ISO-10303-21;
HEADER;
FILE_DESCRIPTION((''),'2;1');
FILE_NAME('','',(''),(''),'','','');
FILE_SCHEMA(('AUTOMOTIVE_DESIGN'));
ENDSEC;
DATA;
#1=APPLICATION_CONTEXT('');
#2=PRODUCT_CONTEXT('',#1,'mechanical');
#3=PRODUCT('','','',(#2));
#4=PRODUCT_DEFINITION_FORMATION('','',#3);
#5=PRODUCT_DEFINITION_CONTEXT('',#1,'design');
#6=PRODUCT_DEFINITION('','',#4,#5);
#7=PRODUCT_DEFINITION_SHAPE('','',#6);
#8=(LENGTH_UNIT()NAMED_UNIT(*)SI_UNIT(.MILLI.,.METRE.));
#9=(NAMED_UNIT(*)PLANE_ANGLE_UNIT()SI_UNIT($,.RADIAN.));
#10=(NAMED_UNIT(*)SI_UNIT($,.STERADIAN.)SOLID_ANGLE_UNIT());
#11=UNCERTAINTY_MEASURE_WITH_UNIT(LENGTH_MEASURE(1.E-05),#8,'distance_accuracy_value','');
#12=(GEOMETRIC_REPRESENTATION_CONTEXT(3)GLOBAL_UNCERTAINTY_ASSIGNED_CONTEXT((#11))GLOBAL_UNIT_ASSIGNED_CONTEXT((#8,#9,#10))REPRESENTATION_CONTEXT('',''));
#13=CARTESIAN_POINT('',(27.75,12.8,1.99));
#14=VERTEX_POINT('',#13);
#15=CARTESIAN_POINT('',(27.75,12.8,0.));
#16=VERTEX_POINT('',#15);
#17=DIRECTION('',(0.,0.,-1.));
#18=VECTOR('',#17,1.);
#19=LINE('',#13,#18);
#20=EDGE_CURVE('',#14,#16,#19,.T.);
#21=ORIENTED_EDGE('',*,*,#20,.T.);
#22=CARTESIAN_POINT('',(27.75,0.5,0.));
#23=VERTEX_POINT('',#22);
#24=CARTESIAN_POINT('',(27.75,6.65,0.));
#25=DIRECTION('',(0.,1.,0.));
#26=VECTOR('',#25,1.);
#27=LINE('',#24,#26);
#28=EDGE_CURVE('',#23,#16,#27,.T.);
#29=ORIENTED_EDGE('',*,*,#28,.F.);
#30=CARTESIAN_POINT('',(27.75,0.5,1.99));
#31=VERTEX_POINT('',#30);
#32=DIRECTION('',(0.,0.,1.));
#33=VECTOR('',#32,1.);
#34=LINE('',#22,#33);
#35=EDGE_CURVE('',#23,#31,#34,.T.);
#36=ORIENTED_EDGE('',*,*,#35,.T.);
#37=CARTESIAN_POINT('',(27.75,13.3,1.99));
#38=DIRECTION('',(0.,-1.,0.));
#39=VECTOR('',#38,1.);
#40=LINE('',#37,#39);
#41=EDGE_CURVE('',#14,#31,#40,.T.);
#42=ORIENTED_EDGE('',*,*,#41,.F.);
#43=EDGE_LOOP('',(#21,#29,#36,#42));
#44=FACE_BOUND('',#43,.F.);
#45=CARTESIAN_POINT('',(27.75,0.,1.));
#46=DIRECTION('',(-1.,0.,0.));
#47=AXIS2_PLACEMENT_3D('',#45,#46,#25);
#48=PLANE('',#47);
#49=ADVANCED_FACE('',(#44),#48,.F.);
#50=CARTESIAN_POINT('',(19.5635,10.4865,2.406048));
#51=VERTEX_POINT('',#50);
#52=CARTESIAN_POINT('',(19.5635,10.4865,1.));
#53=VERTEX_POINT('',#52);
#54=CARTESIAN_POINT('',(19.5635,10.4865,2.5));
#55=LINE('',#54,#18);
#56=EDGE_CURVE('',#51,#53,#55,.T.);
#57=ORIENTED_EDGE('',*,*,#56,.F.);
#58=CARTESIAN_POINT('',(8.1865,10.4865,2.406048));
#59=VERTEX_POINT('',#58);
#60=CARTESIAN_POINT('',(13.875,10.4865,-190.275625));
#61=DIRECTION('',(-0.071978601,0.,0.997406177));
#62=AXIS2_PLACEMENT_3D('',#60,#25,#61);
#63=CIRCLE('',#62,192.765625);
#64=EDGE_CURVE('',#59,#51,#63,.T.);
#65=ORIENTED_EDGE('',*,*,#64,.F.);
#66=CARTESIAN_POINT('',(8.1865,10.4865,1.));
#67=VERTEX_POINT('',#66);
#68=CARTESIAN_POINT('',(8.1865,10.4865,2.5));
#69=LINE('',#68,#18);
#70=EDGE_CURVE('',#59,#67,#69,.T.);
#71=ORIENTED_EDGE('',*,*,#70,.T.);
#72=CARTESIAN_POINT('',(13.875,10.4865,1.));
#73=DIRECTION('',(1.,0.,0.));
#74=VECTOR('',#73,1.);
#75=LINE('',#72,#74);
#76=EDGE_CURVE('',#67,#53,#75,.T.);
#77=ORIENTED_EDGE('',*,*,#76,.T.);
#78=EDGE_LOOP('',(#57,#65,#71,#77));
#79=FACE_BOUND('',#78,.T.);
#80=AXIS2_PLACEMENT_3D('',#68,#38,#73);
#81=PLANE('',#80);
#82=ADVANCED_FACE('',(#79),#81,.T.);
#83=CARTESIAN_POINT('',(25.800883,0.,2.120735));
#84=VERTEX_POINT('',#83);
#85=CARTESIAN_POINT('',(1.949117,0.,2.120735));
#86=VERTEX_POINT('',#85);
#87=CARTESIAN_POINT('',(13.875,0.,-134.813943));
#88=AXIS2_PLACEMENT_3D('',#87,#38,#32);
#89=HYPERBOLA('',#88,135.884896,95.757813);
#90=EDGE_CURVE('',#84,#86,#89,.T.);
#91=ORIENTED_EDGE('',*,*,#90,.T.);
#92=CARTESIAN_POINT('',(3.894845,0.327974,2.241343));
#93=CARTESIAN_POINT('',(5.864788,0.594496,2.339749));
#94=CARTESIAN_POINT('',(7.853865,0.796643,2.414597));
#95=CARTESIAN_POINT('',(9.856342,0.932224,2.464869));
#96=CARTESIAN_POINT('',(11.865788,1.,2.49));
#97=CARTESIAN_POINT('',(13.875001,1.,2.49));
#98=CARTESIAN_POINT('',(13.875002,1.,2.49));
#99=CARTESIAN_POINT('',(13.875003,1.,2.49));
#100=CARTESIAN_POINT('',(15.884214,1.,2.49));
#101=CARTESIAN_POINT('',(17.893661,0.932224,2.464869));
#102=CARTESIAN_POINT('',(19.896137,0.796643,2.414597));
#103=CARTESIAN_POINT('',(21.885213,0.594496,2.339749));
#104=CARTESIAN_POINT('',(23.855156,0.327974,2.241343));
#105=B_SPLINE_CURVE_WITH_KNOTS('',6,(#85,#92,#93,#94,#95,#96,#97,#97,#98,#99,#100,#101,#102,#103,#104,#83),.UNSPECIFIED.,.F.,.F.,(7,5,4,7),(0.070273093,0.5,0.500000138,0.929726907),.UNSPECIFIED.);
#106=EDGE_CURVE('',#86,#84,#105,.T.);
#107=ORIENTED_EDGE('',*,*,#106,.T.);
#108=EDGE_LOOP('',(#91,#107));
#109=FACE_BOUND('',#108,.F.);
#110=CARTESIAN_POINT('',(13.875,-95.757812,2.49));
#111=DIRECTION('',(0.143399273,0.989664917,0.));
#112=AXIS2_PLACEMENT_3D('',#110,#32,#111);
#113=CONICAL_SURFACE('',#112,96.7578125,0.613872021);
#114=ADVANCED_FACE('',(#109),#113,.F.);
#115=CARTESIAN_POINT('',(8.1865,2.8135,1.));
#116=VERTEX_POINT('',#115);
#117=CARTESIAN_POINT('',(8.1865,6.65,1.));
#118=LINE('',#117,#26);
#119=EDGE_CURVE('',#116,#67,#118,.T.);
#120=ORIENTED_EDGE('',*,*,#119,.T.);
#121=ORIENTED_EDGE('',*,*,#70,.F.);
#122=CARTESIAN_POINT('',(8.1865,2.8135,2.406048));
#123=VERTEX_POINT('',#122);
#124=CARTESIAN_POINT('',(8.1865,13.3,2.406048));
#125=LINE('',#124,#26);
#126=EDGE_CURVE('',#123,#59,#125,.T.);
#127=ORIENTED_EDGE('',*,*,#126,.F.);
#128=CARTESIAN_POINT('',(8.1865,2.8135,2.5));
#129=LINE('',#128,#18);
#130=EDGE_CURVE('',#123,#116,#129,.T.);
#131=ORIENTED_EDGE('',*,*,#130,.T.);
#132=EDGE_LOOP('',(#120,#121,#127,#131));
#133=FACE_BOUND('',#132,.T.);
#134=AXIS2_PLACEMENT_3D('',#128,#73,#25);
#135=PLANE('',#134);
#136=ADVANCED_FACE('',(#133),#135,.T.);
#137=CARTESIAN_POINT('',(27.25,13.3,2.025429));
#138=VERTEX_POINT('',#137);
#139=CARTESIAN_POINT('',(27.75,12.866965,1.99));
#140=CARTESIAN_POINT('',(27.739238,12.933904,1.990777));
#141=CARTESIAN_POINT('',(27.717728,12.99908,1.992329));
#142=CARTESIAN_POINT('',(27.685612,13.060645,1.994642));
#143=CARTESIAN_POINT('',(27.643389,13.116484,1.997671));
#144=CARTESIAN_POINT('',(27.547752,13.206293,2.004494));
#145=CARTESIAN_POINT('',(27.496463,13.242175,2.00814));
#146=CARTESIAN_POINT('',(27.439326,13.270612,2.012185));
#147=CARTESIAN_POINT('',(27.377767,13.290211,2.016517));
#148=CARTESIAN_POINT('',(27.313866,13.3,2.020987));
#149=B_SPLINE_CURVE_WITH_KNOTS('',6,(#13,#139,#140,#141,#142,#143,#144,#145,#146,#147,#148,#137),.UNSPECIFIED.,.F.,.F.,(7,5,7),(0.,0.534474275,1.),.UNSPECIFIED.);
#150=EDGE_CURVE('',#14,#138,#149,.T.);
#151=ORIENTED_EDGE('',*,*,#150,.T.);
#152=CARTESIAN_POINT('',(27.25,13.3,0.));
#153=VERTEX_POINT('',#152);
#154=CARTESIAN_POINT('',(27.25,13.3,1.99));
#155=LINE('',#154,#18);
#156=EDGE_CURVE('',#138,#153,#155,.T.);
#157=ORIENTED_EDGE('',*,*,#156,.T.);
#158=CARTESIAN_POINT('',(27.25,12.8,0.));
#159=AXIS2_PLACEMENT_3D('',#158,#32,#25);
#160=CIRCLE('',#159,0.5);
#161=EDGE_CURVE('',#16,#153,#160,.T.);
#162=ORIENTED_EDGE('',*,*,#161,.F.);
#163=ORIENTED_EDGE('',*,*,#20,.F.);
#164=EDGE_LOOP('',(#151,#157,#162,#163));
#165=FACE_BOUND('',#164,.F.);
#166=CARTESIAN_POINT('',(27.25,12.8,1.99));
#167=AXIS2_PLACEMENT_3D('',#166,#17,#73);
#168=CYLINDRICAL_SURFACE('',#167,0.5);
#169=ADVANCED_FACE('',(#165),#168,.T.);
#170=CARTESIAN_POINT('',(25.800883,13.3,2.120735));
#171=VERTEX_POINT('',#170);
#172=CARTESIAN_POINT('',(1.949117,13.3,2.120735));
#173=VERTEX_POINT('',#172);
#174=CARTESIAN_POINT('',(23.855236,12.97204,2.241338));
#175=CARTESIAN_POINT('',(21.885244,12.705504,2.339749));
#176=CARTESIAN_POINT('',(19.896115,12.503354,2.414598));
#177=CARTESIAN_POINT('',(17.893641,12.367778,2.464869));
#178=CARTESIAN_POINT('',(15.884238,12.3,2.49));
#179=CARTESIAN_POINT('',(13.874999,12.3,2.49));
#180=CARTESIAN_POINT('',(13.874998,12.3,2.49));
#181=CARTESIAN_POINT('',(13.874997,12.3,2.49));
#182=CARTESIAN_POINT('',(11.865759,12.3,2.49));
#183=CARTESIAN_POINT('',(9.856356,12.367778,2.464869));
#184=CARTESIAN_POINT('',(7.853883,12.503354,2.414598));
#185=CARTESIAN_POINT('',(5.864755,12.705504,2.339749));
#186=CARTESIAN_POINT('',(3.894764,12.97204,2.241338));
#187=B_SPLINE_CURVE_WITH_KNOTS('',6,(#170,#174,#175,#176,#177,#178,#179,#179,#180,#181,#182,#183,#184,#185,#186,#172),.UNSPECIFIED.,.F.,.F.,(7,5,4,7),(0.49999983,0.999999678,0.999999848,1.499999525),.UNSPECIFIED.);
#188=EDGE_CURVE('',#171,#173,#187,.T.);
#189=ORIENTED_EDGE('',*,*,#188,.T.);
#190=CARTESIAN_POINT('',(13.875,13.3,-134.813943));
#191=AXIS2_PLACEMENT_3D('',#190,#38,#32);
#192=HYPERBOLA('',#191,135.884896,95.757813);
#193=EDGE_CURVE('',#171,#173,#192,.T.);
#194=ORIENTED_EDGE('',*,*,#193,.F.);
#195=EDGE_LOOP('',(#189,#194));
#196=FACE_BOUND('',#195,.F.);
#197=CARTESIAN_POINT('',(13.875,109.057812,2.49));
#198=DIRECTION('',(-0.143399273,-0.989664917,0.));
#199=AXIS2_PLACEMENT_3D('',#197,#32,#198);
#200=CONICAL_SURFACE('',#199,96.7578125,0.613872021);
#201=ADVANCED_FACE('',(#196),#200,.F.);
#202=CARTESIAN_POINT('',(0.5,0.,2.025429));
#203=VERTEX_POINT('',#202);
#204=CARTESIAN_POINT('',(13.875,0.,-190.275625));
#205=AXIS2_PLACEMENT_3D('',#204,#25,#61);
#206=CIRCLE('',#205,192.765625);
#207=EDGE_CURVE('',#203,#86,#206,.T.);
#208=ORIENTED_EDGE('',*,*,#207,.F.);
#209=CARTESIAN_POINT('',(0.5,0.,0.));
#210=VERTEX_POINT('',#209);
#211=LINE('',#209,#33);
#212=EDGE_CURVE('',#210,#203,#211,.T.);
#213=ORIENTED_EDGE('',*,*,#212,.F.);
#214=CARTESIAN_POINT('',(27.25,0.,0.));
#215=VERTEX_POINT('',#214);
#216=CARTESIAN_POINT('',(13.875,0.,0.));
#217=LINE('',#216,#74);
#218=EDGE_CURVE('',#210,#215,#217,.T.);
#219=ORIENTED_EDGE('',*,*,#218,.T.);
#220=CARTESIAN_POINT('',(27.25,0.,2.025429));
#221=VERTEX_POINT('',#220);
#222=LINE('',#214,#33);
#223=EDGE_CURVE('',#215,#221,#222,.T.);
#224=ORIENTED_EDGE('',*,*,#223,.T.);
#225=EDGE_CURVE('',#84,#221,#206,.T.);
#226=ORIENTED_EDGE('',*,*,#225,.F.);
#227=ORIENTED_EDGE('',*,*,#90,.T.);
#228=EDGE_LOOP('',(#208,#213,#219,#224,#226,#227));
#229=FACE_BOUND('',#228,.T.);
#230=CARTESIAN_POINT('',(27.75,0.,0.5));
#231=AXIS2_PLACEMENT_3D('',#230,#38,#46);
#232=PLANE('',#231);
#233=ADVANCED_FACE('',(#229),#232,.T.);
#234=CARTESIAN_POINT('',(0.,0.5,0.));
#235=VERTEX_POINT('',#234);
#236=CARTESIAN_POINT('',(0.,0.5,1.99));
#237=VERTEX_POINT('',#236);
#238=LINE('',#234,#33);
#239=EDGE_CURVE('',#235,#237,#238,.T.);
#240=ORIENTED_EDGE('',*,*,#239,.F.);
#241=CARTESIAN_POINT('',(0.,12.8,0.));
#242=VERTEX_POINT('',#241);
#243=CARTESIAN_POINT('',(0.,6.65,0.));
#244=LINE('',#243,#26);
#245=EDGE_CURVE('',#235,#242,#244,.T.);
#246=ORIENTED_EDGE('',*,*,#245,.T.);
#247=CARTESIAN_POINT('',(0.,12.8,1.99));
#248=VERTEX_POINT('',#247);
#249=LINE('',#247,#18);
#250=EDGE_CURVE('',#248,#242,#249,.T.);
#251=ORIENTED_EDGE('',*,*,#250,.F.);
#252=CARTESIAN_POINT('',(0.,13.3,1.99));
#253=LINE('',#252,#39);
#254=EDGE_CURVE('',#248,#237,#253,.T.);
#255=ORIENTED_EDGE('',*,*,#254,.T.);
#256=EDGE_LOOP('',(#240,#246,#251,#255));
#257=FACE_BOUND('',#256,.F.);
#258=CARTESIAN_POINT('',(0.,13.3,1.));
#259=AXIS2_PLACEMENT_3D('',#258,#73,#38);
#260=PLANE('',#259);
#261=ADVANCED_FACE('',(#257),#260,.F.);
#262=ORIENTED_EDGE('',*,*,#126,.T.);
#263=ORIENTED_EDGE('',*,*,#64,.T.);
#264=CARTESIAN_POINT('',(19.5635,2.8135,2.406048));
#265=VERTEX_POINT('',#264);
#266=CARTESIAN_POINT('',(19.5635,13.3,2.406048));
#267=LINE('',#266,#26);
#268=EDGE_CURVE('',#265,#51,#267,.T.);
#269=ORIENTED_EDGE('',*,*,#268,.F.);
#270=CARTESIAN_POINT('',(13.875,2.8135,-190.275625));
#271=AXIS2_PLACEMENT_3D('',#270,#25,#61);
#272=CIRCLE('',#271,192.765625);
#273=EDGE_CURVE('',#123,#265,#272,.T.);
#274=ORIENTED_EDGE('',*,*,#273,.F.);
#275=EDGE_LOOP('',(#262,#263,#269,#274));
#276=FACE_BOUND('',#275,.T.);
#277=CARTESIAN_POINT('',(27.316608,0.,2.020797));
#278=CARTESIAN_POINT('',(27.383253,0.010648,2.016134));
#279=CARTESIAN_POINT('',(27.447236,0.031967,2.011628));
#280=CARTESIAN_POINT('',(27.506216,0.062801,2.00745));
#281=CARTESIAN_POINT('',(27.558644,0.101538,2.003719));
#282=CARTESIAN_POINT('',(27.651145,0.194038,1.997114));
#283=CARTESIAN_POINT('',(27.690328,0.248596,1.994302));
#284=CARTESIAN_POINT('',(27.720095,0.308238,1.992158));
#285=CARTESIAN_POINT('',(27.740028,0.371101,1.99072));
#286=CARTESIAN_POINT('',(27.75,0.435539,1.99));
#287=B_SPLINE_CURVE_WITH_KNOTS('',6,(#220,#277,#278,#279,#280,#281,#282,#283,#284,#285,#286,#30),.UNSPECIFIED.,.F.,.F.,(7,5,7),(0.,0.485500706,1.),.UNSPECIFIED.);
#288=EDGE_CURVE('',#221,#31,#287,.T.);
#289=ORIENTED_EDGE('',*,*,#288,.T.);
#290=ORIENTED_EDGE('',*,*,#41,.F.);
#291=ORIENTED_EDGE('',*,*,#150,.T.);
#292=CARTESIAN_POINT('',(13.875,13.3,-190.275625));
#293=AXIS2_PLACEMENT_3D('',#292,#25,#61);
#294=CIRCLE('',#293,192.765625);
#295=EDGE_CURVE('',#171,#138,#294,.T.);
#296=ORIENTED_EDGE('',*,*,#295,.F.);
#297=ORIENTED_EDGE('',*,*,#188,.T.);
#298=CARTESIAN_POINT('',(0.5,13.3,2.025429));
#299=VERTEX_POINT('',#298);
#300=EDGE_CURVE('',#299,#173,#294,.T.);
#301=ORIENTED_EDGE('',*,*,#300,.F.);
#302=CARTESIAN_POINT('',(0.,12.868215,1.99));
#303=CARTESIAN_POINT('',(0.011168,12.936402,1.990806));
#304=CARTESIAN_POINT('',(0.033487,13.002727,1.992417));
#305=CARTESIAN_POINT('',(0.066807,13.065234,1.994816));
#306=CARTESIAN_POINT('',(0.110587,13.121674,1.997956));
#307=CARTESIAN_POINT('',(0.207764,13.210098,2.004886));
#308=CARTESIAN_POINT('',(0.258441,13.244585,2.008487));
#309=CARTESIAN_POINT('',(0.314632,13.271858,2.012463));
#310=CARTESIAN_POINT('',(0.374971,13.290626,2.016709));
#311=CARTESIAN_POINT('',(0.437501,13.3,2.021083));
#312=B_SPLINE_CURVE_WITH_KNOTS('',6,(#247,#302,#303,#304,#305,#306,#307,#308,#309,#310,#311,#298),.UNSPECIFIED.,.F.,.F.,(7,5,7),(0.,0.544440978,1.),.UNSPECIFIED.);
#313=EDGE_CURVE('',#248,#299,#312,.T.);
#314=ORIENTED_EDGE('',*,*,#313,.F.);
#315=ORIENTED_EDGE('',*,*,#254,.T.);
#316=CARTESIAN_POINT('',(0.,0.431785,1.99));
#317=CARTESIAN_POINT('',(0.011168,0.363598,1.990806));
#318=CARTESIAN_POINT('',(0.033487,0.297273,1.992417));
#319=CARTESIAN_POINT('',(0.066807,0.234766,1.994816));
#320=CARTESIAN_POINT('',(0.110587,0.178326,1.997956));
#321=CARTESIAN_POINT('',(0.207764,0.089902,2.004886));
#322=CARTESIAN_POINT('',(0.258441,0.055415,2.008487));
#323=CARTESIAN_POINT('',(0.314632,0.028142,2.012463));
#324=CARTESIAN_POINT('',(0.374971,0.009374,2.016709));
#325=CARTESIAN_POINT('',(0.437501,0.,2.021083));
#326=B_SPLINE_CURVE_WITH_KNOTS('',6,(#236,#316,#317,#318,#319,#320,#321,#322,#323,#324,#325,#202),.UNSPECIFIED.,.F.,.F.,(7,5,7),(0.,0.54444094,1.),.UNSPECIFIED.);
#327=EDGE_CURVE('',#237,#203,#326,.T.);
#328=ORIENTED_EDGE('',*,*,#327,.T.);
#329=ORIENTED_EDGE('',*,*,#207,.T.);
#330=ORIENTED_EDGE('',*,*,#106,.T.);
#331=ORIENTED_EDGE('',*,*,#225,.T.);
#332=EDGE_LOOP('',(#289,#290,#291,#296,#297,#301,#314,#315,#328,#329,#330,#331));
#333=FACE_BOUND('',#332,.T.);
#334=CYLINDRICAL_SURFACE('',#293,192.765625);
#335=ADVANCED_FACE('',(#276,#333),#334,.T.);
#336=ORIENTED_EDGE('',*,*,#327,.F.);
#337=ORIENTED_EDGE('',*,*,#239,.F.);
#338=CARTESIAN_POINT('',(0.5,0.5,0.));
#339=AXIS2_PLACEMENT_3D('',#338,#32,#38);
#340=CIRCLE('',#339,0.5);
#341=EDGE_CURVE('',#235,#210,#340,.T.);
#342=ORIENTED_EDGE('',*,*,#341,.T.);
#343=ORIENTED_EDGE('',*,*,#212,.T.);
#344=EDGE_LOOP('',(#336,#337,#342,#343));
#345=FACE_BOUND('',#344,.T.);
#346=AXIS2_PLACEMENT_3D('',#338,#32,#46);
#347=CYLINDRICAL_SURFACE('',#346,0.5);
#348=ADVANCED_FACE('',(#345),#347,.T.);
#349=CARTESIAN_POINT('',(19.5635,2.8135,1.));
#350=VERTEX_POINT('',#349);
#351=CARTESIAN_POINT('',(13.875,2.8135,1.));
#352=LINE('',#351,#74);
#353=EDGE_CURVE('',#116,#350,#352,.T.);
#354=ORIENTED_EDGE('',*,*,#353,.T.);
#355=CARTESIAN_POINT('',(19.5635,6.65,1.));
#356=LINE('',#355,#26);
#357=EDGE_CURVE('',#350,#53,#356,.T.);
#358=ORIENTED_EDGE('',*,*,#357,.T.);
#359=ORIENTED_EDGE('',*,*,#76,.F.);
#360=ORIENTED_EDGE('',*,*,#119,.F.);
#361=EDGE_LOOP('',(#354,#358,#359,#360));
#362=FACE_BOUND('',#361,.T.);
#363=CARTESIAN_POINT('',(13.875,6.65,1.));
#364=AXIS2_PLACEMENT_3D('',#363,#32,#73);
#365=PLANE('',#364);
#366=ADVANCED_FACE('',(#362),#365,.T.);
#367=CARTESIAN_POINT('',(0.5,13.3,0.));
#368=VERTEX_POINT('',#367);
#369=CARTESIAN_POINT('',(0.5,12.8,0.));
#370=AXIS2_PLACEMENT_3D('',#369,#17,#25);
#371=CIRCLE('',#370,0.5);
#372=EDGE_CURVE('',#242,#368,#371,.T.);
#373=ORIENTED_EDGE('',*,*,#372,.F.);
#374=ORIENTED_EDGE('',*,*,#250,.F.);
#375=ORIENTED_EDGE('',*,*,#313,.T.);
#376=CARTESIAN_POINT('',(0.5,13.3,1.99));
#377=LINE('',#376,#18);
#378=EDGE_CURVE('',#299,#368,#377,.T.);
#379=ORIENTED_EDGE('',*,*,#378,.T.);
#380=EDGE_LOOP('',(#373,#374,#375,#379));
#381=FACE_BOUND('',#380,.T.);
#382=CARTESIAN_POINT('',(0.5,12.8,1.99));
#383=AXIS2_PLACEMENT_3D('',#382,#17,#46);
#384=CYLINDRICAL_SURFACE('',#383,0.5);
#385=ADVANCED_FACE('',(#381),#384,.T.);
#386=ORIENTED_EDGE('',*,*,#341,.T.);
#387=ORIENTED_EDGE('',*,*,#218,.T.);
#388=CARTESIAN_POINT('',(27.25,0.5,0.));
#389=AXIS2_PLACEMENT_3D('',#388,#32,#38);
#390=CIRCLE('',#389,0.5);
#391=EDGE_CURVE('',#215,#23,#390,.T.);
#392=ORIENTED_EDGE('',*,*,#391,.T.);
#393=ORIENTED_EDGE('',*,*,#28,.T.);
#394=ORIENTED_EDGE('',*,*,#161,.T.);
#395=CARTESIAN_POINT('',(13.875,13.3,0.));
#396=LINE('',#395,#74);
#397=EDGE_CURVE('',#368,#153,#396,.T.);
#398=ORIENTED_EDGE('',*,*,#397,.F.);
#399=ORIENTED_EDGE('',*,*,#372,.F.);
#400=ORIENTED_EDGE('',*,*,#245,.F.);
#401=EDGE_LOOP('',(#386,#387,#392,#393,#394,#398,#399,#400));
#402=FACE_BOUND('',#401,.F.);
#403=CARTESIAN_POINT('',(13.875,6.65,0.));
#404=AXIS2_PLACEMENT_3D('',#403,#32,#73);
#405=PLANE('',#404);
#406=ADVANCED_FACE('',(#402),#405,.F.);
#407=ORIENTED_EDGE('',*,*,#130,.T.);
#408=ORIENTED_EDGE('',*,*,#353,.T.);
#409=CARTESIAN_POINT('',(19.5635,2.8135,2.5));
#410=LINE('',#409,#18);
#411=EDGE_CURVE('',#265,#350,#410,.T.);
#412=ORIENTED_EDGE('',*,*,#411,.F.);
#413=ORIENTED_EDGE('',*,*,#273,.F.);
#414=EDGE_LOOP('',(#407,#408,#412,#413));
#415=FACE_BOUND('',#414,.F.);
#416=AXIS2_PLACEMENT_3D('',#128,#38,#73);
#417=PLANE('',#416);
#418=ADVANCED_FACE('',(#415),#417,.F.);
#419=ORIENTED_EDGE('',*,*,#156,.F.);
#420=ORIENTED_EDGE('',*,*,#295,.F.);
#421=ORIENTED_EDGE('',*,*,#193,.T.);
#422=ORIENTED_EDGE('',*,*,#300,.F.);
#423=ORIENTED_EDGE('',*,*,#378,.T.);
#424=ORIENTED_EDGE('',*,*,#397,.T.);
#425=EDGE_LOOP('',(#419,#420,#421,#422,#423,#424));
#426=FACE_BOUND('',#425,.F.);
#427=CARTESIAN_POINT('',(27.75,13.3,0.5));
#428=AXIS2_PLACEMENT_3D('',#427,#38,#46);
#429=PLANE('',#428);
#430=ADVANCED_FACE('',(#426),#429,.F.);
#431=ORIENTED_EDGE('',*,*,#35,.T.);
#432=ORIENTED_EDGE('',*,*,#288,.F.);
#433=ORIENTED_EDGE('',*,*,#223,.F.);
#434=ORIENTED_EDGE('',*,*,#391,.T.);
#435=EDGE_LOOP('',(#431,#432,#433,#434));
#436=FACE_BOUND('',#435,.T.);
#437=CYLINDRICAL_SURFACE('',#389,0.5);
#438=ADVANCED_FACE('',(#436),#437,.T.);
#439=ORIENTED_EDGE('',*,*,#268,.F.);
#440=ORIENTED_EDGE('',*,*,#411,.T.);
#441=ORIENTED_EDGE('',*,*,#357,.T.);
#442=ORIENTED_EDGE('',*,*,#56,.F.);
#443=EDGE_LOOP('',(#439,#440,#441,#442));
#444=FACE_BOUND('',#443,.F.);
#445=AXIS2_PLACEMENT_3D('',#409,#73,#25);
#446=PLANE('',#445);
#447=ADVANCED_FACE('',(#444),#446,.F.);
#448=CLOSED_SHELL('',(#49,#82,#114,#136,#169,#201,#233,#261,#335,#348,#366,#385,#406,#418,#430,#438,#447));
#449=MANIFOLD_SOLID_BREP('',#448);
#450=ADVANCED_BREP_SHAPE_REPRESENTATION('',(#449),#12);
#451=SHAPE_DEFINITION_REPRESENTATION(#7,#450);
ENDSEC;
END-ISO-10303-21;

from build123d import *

# Parameters (mm, degrees)
SKETCH_W           = 27.75
SKETCH_H           = 13.3
PAD_DEPTH          = 1
PAD001_DEPTH       = 1.5
PAD002_START       = -0.5
SKETCH002_W        = 47.75
SKETCH002_H        = 33.3
PAD002_DEPTH       = 0.5
CHAMFER_SIZE2      = 1.49
CHAMFER_SIZE       = 1.05
CHAMFER_FACE13_W   = 33.3
CHAMFER_FACE13_H   = 47.75
CHAMFER_FACE13_W_2 = 13.3
CHAMFER_FACE13_H_2 = 27.75
POCKET_DEPTH       = 5
POCKET001_DEPTH    = 30
FILLET_R           = 0.5
SKETCH004_W        = 11.377
SKETCH004_H        = 7.673
POCKET002_DEPTH    = 1.5


with BuildPart() as part:
    # Sketch → Pad (new body)
    with BuildSketch(Plane.XY):
        with Locations((13.875, 6.65)):
            Rectangle(SKETCH_W, SKETCH_H)
    extrude(amount=PAD_DEPTH)

    # Sketch001 (on Face6 of Pad) → Pad001 (join)
    with BuildSketch(Plane.XY.offset(1)):
        with BuildLine():
            ThreePointArc((0, 13.3), (13.875, 12.3), (27.75, 13.3))
            Line((27.75, 0), (27.75, 13.3))
            ThreePointArc((27.75, 0), (13.875, 1), (0, 0))
            Line((0, 13.3), (0, 0))
        make_face()
    extrude(amount=PAD001_DEPTH)

    # Sketch002 (on Face4 of Pad001) → Pad002 (join)
    with BuildSketch(Plane(origin=(0, 0, 0), x_dir=(1, 0, 0), z_dir=(0, 0, -1)).offset(PAD002_START)):
        with Locations((13.875, -6.65)):
            Rectangle(SKETCH002_W, SKETCH002_H)
    extrude(amount=-PAD002_DEPTH)

    # Chamfer
    chamfer_edges = [part.edges().sort_by_distance(p)[0] for p in [
        (13.875, 12.3, 1),
        (13.875, 1, 1),
    ]]
    chamfer_side = part.faces().sort_by_distance((13.875, -9.417853, 1))[0]
    chamfer(chamfer_edges, length=CHAMFER_SIZE, length2=CHAMFER_SIZE2, reference=chamfer_side)

    # Chamfer Face13 → Pocket (cut)
    with BuildSketch(Plane(origin=(13.875, 6.65, 0.5), x_dir=(0, -1, 0), z_dir=(0, 0, -1))):
        Rectangle(CHAMFER_FACE13_W, CHAMFER_FACE13_H)
        Rectangle(CHAMFER_FACE13_W_2, CHAMFER_FACE13_H_2, mode=Mode.SUBTRACT)
    extrude(amount=-POCKET_DEPTH, mode=Mode.SUBTRACT)

    # Sketch003 (on Face8 of Pocket) → Pocket001 (cut)
    with BuildSketch(Plane(origin=(0, 13.3, 0), x_dir=(-1, 0, 0), z_dir=(0, 1, 0))):
        with BuildLine():
            Line((-27.75, 2.49), (-27.75, 1.99))
            ThreePointArc((0, 1.99), (-13.875, 2.49), (-27.75, 1.99))
            Line((0, 2.49), (0, 1.99))
            Line((0, 2.99), (0, 2.49))
            Line((-27.75, 2.99), (0, 2.99))
            Line((-27.75, 2.49), (-27.75, 2.99))
        make_face()
    extrude(amount=-POCKET001_DEPTH, mode=Mode.SUBTRACT)

    # Fillet
    fillet_edges = [part.edges().sort_by_distance(p)[0] for p in [
        (27.75, 13.3, 0.995),
        (27.75, 0, 0.995),
        (0, 13.3, 0.995),
        (0, 0, 0.995),
    ]]
    fillet(fillet_edges, radius=FILLET_R)

    # Sketch004 (on Face4 of Pocket) → Pocket002 (cut)
    with BuildSketch(Plane.XY.offset(2.5)):
        with Locations((13.875, 6.65)):
            Rectangle(SKETCH004_W, SKETCH004_H)
    extrude(amount=-POCKET002_DEPTH, mode=Mode.SUBTRACT)


solid = part.part
